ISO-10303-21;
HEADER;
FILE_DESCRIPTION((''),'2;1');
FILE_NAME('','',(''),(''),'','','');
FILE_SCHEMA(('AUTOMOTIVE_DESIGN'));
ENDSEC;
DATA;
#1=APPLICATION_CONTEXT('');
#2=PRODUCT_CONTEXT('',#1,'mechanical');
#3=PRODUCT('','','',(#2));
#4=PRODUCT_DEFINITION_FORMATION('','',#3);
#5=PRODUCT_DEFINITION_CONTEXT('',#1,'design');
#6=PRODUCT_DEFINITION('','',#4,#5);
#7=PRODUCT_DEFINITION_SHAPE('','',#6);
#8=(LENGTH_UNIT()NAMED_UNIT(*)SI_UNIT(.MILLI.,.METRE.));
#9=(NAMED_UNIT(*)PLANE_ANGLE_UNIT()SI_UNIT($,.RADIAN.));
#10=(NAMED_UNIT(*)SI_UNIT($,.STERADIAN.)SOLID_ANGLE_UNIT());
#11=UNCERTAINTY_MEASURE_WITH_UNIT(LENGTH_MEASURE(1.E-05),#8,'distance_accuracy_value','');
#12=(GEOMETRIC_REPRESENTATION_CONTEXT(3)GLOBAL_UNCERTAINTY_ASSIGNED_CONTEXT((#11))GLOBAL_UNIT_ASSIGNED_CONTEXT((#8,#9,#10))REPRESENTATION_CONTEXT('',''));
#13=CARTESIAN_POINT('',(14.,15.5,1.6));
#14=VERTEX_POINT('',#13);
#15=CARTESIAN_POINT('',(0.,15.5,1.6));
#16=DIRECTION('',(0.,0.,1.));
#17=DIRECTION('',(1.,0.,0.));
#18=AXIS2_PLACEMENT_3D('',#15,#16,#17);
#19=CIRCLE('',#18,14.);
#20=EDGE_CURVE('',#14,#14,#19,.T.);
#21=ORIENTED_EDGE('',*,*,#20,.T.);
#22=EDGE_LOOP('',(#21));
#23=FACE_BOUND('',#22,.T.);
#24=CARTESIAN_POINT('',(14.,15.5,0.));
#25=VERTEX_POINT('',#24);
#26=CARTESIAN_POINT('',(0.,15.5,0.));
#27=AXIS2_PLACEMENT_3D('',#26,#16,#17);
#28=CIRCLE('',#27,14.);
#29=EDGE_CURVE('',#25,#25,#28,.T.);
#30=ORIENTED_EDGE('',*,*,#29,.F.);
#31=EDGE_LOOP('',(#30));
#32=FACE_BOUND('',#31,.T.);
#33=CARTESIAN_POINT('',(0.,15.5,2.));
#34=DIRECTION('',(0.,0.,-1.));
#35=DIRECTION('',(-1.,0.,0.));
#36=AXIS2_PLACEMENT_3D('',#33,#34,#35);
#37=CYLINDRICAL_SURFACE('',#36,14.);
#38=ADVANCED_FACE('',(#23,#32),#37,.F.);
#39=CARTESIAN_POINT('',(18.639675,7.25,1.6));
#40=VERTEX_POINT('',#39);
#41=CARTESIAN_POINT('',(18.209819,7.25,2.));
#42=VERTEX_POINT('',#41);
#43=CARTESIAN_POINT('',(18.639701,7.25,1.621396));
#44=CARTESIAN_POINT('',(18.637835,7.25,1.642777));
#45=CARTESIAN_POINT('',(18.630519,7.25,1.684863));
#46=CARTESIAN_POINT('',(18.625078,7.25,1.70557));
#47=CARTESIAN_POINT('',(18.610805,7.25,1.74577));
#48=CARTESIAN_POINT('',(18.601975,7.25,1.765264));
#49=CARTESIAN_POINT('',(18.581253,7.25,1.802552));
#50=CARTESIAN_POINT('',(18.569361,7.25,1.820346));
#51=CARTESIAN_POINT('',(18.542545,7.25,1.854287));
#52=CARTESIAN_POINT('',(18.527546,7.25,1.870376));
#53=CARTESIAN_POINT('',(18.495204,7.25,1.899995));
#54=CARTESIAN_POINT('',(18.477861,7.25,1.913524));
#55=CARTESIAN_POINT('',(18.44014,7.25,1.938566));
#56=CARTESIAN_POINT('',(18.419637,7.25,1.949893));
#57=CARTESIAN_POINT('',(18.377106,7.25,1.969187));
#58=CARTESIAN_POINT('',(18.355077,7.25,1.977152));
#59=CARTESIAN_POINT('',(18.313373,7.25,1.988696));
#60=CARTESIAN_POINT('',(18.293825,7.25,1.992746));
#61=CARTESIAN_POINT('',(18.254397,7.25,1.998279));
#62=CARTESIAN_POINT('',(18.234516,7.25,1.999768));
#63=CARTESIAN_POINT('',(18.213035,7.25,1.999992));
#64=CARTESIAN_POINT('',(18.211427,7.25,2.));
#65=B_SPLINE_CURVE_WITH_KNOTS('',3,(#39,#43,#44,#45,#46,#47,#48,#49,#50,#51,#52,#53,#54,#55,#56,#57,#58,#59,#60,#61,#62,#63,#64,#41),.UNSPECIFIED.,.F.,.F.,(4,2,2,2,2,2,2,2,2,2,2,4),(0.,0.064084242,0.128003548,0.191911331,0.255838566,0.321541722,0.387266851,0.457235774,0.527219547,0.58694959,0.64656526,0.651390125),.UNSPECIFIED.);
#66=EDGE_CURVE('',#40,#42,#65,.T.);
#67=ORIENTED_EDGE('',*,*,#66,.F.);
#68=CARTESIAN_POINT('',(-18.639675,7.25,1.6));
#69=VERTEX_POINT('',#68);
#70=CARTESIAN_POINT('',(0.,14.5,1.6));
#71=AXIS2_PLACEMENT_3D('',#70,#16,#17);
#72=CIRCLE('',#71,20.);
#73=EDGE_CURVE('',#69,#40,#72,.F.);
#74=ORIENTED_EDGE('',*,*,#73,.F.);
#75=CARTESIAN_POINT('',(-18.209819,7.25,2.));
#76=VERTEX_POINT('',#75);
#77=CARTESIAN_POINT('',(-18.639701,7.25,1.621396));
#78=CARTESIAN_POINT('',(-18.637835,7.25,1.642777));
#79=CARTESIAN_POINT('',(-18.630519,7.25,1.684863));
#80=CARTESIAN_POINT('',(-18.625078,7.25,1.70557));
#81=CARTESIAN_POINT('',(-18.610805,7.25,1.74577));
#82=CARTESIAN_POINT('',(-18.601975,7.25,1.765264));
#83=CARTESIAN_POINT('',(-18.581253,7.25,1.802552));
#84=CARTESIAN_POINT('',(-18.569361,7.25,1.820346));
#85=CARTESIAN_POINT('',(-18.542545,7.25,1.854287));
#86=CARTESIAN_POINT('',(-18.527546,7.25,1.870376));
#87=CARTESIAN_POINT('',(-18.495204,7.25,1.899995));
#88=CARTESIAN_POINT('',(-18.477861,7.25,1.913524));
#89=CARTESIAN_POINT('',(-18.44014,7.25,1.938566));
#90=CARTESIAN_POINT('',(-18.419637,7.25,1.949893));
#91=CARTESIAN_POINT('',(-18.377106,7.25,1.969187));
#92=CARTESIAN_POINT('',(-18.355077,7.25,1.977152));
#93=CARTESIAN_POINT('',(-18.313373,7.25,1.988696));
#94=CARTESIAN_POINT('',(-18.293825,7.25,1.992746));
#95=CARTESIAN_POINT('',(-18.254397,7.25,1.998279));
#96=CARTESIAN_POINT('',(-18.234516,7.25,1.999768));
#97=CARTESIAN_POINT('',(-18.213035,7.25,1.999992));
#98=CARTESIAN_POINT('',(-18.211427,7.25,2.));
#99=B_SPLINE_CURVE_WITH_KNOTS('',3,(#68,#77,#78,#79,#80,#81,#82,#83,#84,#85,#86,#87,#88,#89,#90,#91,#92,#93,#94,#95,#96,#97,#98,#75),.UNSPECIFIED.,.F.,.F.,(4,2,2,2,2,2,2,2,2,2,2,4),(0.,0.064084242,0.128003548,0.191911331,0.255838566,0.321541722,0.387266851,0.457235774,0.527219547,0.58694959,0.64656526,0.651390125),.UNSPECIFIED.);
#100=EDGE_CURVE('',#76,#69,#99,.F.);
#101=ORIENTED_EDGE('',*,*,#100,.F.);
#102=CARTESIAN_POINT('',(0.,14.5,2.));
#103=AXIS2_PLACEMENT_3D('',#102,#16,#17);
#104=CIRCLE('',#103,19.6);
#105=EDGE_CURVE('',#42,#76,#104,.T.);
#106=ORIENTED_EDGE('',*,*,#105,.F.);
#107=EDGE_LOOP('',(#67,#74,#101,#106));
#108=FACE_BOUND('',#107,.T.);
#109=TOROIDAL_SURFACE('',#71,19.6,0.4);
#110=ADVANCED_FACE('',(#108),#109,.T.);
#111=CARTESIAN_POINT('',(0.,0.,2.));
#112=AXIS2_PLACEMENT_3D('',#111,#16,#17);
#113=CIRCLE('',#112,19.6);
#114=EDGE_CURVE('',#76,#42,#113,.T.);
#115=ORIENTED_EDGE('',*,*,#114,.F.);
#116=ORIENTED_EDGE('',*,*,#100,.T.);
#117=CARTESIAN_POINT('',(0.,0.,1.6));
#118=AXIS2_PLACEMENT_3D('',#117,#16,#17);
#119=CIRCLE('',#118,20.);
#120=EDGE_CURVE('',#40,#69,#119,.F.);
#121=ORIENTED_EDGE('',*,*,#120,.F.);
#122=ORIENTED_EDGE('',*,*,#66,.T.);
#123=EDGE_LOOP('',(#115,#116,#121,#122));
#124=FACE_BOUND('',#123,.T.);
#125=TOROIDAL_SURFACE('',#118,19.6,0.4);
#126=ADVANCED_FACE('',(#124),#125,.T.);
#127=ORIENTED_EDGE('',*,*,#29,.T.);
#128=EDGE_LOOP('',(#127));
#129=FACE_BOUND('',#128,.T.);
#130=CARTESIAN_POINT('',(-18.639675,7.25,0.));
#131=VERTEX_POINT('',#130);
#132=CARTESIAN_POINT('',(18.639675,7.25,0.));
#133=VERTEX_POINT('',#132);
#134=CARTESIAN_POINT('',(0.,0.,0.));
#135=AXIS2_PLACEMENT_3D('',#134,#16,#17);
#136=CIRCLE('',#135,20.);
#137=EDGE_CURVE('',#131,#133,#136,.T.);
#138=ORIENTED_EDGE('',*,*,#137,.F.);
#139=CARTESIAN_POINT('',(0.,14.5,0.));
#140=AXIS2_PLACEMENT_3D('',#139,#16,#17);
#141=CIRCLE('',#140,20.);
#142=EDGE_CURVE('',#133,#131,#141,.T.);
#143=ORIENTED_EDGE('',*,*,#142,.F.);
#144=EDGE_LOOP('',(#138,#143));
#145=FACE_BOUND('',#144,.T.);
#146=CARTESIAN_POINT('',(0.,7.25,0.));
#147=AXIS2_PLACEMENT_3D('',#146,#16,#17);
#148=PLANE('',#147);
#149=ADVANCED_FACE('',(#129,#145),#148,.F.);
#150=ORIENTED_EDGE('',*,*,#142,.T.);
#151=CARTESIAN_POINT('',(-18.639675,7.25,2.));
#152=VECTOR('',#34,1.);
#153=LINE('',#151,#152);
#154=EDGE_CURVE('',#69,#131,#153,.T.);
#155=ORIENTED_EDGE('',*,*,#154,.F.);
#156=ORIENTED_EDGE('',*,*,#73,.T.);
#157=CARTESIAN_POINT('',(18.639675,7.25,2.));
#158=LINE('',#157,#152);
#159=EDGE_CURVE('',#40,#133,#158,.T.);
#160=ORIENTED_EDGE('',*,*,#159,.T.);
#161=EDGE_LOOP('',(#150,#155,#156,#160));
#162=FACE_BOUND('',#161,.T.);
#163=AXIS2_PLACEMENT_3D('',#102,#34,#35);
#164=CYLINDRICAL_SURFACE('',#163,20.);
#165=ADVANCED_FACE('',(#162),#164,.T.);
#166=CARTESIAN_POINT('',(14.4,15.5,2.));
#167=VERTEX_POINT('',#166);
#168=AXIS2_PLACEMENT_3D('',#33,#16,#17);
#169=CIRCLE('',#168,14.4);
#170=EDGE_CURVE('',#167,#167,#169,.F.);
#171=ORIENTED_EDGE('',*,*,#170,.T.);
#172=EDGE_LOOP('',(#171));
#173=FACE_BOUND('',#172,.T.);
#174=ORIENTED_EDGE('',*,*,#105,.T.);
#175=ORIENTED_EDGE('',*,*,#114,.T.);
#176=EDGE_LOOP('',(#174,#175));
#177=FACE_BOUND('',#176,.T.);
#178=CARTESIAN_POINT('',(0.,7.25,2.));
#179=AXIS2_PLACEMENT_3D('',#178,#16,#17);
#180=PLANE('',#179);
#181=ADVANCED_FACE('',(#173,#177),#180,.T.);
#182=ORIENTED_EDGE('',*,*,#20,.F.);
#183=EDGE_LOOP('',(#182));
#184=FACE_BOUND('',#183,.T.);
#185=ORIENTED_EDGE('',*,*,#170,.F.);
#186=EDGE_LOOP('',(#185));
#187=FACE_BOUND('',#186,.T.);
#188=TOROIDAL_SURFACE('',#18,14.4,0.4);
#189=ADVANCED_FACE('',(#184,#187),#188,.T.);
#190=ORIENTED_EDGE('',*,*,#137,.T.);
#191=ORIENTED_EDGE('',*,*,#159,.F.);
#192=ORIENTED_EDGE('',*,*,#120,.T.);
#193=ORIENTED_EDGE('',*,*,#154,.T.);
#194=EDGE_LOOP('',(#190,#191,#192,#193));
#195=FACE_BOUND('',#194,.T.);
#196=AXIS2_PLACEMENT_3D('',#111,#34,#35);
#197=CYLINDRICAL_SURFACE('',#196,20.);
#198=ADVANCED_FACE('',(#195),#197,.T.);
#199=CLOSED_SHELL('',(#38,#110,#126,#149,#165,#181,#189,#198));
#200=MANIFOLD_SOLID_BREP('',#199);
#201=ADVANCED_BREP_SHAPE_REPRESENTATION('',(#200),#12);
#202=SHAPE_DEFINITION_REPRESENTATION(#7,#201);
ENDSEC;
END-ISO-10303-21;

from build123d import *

# Parameters (mm, degrees)
SZKIC1_R                    = 14
DODANIE_WYCI_GNI_CIE1_DEPTH = 2
ZAOKR_GLENIE1_R             = 0.4


with BuildPart() as part:
    # Szkic1 → Dodanie-wyciągnięcie1 (new body)
    with BuildSketch(Plane.XY):
        with BuildLine():
            ThreePointArc((-18.639675426, 7.25), (0, -20), (18.639675426, 7.25))
            ThreePointArc((18.639675426, 7.25), (0, 34.5), (-18.639675426, 7.25))
        make_face()
        with Locations((0, 15.5)):
            Circle(SZKIC1_R, mode=Mode.SUBTRACT)
    extrude(amount=DODANIE_WYCI_GNI_CIE1_DEPTH)

    # Zaokrąglenie1
    zaokr_glenie1_edges = [part.edges().sort_by_distance(p)[0] for p in [
        (0, 34.5, 2),
        (-14, 15.5, 2),
        (0, -20, 2),
    ]]
    fillet(zaokr_glenie1_edges, radius=ZAOKR_GLENIE1_R)


solid = part.part
